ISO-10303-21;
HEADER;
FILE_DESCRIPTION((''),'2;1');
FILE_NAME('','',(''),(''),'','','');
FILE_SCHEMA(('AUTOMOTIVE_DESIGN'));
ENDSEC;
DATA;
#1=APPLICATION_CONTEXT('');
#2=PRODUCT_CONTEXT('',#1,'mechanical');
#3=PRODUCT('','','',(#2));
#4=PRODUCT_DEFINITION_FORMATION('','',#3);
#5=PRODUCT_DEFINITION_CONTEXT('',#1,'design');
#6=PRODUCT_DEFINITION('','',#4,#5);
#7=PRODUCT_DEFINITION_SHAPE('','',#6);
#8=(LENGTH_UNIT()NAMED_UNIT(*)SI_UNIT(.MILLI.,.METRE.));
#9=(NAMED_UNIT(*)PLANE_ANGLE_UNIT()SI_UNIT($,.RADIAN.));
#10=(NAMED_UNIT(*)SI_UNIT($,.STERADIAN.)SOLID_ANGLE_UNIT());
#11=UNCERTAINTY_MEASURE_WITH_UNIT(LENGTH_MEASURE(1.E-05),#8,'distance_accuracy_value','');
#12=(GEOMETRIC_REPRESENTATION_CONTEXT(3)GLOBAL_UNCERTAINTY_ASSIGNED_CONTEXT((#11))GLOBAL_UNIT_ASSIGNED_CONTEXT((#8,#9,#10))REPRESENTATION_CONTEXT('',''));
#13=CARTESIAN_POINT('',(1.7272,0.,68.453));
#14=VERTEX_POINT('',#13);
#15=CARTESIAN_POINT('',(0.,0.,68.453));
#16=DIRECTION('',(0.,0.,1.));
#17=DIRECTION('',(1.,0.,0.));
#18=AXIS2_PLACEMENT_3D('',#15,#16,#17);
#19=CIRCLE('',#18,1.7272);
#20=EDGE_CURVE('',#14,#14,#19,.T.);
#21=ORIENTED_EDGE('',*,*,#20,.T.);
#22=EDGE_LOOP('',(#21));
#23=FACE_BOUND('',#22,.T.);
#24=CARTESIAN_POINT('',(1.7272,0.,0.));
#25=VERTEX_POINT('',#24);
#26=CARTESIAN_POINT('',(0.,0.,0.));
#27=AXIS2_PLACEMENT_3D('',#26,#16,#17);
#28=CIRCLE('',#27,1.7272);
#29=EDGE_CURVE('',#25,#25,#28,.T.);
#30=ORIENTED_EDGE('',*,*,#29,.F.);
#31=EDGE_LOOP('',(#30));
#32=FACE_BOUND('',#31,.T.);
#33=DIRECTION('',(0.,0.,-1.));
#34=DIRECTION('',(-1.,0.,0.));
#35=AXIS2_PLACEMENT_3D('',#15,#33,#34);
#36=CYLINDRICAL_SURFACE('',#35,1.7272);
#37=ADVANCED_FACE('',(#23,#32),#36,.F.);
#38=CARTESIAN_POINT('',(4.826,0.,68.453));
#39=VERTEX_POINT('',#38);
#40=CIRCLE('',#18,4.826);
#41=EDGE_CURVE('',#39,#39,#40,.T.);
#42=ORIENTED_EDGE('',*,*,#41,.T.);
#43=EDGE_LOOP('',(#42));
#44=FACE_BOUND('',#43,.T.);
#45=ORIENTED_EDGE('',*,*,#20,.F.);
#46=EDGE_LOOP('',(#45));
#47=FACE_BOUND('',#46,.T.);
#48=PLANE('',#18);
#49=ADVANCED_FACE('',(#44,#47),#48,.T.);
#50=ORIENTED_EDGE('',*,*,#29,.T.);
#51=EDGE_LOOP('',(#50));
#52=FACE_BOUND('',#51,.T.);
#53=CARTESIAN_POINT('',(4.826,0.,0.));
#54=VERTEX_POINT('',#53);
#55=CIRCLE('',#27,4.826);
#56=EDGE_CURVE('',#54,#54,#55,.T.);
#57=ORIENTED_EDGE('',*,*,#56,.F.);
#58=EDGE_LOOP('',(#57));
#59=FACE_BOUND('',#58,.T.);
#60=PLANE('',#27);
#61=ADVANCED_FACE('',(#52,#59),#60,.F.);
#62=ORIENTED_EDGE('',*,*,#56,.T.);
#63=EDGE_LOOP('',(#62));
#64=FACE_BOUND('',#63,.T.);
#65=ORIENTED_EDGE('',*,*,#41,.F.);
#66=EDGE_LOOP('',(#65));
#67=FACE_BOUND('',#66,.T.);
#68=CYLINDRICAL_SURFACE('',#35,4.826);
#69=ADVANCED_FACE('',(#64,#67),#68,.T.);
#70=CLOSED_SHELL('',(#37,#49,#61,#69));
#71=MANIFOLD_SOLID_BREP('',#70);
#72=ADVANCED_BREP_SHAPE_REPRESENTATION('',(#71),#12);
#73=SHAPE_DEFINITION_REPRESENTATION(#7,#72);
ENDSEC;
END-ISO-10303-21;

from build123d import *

# Parameters (mm, degrees)
SKETCH1_R           = 4.826
SKETCH1_R_2         = 1.7272
BOSS_EXTRUDE1_DEPTH = 68.453


with BuildPart() as part:
    # Sketch1 → Boss-Extrude1 (new body)
    with BuildSketch(Plane.XY):
        Circle(SKETCH1_R)
        Circle(SKETCH1_R_2, mode=Mode.SUBTRACT)
    extrude(amount=BOSS_EXTRUDE1_DEPTH)


solid = part.part
